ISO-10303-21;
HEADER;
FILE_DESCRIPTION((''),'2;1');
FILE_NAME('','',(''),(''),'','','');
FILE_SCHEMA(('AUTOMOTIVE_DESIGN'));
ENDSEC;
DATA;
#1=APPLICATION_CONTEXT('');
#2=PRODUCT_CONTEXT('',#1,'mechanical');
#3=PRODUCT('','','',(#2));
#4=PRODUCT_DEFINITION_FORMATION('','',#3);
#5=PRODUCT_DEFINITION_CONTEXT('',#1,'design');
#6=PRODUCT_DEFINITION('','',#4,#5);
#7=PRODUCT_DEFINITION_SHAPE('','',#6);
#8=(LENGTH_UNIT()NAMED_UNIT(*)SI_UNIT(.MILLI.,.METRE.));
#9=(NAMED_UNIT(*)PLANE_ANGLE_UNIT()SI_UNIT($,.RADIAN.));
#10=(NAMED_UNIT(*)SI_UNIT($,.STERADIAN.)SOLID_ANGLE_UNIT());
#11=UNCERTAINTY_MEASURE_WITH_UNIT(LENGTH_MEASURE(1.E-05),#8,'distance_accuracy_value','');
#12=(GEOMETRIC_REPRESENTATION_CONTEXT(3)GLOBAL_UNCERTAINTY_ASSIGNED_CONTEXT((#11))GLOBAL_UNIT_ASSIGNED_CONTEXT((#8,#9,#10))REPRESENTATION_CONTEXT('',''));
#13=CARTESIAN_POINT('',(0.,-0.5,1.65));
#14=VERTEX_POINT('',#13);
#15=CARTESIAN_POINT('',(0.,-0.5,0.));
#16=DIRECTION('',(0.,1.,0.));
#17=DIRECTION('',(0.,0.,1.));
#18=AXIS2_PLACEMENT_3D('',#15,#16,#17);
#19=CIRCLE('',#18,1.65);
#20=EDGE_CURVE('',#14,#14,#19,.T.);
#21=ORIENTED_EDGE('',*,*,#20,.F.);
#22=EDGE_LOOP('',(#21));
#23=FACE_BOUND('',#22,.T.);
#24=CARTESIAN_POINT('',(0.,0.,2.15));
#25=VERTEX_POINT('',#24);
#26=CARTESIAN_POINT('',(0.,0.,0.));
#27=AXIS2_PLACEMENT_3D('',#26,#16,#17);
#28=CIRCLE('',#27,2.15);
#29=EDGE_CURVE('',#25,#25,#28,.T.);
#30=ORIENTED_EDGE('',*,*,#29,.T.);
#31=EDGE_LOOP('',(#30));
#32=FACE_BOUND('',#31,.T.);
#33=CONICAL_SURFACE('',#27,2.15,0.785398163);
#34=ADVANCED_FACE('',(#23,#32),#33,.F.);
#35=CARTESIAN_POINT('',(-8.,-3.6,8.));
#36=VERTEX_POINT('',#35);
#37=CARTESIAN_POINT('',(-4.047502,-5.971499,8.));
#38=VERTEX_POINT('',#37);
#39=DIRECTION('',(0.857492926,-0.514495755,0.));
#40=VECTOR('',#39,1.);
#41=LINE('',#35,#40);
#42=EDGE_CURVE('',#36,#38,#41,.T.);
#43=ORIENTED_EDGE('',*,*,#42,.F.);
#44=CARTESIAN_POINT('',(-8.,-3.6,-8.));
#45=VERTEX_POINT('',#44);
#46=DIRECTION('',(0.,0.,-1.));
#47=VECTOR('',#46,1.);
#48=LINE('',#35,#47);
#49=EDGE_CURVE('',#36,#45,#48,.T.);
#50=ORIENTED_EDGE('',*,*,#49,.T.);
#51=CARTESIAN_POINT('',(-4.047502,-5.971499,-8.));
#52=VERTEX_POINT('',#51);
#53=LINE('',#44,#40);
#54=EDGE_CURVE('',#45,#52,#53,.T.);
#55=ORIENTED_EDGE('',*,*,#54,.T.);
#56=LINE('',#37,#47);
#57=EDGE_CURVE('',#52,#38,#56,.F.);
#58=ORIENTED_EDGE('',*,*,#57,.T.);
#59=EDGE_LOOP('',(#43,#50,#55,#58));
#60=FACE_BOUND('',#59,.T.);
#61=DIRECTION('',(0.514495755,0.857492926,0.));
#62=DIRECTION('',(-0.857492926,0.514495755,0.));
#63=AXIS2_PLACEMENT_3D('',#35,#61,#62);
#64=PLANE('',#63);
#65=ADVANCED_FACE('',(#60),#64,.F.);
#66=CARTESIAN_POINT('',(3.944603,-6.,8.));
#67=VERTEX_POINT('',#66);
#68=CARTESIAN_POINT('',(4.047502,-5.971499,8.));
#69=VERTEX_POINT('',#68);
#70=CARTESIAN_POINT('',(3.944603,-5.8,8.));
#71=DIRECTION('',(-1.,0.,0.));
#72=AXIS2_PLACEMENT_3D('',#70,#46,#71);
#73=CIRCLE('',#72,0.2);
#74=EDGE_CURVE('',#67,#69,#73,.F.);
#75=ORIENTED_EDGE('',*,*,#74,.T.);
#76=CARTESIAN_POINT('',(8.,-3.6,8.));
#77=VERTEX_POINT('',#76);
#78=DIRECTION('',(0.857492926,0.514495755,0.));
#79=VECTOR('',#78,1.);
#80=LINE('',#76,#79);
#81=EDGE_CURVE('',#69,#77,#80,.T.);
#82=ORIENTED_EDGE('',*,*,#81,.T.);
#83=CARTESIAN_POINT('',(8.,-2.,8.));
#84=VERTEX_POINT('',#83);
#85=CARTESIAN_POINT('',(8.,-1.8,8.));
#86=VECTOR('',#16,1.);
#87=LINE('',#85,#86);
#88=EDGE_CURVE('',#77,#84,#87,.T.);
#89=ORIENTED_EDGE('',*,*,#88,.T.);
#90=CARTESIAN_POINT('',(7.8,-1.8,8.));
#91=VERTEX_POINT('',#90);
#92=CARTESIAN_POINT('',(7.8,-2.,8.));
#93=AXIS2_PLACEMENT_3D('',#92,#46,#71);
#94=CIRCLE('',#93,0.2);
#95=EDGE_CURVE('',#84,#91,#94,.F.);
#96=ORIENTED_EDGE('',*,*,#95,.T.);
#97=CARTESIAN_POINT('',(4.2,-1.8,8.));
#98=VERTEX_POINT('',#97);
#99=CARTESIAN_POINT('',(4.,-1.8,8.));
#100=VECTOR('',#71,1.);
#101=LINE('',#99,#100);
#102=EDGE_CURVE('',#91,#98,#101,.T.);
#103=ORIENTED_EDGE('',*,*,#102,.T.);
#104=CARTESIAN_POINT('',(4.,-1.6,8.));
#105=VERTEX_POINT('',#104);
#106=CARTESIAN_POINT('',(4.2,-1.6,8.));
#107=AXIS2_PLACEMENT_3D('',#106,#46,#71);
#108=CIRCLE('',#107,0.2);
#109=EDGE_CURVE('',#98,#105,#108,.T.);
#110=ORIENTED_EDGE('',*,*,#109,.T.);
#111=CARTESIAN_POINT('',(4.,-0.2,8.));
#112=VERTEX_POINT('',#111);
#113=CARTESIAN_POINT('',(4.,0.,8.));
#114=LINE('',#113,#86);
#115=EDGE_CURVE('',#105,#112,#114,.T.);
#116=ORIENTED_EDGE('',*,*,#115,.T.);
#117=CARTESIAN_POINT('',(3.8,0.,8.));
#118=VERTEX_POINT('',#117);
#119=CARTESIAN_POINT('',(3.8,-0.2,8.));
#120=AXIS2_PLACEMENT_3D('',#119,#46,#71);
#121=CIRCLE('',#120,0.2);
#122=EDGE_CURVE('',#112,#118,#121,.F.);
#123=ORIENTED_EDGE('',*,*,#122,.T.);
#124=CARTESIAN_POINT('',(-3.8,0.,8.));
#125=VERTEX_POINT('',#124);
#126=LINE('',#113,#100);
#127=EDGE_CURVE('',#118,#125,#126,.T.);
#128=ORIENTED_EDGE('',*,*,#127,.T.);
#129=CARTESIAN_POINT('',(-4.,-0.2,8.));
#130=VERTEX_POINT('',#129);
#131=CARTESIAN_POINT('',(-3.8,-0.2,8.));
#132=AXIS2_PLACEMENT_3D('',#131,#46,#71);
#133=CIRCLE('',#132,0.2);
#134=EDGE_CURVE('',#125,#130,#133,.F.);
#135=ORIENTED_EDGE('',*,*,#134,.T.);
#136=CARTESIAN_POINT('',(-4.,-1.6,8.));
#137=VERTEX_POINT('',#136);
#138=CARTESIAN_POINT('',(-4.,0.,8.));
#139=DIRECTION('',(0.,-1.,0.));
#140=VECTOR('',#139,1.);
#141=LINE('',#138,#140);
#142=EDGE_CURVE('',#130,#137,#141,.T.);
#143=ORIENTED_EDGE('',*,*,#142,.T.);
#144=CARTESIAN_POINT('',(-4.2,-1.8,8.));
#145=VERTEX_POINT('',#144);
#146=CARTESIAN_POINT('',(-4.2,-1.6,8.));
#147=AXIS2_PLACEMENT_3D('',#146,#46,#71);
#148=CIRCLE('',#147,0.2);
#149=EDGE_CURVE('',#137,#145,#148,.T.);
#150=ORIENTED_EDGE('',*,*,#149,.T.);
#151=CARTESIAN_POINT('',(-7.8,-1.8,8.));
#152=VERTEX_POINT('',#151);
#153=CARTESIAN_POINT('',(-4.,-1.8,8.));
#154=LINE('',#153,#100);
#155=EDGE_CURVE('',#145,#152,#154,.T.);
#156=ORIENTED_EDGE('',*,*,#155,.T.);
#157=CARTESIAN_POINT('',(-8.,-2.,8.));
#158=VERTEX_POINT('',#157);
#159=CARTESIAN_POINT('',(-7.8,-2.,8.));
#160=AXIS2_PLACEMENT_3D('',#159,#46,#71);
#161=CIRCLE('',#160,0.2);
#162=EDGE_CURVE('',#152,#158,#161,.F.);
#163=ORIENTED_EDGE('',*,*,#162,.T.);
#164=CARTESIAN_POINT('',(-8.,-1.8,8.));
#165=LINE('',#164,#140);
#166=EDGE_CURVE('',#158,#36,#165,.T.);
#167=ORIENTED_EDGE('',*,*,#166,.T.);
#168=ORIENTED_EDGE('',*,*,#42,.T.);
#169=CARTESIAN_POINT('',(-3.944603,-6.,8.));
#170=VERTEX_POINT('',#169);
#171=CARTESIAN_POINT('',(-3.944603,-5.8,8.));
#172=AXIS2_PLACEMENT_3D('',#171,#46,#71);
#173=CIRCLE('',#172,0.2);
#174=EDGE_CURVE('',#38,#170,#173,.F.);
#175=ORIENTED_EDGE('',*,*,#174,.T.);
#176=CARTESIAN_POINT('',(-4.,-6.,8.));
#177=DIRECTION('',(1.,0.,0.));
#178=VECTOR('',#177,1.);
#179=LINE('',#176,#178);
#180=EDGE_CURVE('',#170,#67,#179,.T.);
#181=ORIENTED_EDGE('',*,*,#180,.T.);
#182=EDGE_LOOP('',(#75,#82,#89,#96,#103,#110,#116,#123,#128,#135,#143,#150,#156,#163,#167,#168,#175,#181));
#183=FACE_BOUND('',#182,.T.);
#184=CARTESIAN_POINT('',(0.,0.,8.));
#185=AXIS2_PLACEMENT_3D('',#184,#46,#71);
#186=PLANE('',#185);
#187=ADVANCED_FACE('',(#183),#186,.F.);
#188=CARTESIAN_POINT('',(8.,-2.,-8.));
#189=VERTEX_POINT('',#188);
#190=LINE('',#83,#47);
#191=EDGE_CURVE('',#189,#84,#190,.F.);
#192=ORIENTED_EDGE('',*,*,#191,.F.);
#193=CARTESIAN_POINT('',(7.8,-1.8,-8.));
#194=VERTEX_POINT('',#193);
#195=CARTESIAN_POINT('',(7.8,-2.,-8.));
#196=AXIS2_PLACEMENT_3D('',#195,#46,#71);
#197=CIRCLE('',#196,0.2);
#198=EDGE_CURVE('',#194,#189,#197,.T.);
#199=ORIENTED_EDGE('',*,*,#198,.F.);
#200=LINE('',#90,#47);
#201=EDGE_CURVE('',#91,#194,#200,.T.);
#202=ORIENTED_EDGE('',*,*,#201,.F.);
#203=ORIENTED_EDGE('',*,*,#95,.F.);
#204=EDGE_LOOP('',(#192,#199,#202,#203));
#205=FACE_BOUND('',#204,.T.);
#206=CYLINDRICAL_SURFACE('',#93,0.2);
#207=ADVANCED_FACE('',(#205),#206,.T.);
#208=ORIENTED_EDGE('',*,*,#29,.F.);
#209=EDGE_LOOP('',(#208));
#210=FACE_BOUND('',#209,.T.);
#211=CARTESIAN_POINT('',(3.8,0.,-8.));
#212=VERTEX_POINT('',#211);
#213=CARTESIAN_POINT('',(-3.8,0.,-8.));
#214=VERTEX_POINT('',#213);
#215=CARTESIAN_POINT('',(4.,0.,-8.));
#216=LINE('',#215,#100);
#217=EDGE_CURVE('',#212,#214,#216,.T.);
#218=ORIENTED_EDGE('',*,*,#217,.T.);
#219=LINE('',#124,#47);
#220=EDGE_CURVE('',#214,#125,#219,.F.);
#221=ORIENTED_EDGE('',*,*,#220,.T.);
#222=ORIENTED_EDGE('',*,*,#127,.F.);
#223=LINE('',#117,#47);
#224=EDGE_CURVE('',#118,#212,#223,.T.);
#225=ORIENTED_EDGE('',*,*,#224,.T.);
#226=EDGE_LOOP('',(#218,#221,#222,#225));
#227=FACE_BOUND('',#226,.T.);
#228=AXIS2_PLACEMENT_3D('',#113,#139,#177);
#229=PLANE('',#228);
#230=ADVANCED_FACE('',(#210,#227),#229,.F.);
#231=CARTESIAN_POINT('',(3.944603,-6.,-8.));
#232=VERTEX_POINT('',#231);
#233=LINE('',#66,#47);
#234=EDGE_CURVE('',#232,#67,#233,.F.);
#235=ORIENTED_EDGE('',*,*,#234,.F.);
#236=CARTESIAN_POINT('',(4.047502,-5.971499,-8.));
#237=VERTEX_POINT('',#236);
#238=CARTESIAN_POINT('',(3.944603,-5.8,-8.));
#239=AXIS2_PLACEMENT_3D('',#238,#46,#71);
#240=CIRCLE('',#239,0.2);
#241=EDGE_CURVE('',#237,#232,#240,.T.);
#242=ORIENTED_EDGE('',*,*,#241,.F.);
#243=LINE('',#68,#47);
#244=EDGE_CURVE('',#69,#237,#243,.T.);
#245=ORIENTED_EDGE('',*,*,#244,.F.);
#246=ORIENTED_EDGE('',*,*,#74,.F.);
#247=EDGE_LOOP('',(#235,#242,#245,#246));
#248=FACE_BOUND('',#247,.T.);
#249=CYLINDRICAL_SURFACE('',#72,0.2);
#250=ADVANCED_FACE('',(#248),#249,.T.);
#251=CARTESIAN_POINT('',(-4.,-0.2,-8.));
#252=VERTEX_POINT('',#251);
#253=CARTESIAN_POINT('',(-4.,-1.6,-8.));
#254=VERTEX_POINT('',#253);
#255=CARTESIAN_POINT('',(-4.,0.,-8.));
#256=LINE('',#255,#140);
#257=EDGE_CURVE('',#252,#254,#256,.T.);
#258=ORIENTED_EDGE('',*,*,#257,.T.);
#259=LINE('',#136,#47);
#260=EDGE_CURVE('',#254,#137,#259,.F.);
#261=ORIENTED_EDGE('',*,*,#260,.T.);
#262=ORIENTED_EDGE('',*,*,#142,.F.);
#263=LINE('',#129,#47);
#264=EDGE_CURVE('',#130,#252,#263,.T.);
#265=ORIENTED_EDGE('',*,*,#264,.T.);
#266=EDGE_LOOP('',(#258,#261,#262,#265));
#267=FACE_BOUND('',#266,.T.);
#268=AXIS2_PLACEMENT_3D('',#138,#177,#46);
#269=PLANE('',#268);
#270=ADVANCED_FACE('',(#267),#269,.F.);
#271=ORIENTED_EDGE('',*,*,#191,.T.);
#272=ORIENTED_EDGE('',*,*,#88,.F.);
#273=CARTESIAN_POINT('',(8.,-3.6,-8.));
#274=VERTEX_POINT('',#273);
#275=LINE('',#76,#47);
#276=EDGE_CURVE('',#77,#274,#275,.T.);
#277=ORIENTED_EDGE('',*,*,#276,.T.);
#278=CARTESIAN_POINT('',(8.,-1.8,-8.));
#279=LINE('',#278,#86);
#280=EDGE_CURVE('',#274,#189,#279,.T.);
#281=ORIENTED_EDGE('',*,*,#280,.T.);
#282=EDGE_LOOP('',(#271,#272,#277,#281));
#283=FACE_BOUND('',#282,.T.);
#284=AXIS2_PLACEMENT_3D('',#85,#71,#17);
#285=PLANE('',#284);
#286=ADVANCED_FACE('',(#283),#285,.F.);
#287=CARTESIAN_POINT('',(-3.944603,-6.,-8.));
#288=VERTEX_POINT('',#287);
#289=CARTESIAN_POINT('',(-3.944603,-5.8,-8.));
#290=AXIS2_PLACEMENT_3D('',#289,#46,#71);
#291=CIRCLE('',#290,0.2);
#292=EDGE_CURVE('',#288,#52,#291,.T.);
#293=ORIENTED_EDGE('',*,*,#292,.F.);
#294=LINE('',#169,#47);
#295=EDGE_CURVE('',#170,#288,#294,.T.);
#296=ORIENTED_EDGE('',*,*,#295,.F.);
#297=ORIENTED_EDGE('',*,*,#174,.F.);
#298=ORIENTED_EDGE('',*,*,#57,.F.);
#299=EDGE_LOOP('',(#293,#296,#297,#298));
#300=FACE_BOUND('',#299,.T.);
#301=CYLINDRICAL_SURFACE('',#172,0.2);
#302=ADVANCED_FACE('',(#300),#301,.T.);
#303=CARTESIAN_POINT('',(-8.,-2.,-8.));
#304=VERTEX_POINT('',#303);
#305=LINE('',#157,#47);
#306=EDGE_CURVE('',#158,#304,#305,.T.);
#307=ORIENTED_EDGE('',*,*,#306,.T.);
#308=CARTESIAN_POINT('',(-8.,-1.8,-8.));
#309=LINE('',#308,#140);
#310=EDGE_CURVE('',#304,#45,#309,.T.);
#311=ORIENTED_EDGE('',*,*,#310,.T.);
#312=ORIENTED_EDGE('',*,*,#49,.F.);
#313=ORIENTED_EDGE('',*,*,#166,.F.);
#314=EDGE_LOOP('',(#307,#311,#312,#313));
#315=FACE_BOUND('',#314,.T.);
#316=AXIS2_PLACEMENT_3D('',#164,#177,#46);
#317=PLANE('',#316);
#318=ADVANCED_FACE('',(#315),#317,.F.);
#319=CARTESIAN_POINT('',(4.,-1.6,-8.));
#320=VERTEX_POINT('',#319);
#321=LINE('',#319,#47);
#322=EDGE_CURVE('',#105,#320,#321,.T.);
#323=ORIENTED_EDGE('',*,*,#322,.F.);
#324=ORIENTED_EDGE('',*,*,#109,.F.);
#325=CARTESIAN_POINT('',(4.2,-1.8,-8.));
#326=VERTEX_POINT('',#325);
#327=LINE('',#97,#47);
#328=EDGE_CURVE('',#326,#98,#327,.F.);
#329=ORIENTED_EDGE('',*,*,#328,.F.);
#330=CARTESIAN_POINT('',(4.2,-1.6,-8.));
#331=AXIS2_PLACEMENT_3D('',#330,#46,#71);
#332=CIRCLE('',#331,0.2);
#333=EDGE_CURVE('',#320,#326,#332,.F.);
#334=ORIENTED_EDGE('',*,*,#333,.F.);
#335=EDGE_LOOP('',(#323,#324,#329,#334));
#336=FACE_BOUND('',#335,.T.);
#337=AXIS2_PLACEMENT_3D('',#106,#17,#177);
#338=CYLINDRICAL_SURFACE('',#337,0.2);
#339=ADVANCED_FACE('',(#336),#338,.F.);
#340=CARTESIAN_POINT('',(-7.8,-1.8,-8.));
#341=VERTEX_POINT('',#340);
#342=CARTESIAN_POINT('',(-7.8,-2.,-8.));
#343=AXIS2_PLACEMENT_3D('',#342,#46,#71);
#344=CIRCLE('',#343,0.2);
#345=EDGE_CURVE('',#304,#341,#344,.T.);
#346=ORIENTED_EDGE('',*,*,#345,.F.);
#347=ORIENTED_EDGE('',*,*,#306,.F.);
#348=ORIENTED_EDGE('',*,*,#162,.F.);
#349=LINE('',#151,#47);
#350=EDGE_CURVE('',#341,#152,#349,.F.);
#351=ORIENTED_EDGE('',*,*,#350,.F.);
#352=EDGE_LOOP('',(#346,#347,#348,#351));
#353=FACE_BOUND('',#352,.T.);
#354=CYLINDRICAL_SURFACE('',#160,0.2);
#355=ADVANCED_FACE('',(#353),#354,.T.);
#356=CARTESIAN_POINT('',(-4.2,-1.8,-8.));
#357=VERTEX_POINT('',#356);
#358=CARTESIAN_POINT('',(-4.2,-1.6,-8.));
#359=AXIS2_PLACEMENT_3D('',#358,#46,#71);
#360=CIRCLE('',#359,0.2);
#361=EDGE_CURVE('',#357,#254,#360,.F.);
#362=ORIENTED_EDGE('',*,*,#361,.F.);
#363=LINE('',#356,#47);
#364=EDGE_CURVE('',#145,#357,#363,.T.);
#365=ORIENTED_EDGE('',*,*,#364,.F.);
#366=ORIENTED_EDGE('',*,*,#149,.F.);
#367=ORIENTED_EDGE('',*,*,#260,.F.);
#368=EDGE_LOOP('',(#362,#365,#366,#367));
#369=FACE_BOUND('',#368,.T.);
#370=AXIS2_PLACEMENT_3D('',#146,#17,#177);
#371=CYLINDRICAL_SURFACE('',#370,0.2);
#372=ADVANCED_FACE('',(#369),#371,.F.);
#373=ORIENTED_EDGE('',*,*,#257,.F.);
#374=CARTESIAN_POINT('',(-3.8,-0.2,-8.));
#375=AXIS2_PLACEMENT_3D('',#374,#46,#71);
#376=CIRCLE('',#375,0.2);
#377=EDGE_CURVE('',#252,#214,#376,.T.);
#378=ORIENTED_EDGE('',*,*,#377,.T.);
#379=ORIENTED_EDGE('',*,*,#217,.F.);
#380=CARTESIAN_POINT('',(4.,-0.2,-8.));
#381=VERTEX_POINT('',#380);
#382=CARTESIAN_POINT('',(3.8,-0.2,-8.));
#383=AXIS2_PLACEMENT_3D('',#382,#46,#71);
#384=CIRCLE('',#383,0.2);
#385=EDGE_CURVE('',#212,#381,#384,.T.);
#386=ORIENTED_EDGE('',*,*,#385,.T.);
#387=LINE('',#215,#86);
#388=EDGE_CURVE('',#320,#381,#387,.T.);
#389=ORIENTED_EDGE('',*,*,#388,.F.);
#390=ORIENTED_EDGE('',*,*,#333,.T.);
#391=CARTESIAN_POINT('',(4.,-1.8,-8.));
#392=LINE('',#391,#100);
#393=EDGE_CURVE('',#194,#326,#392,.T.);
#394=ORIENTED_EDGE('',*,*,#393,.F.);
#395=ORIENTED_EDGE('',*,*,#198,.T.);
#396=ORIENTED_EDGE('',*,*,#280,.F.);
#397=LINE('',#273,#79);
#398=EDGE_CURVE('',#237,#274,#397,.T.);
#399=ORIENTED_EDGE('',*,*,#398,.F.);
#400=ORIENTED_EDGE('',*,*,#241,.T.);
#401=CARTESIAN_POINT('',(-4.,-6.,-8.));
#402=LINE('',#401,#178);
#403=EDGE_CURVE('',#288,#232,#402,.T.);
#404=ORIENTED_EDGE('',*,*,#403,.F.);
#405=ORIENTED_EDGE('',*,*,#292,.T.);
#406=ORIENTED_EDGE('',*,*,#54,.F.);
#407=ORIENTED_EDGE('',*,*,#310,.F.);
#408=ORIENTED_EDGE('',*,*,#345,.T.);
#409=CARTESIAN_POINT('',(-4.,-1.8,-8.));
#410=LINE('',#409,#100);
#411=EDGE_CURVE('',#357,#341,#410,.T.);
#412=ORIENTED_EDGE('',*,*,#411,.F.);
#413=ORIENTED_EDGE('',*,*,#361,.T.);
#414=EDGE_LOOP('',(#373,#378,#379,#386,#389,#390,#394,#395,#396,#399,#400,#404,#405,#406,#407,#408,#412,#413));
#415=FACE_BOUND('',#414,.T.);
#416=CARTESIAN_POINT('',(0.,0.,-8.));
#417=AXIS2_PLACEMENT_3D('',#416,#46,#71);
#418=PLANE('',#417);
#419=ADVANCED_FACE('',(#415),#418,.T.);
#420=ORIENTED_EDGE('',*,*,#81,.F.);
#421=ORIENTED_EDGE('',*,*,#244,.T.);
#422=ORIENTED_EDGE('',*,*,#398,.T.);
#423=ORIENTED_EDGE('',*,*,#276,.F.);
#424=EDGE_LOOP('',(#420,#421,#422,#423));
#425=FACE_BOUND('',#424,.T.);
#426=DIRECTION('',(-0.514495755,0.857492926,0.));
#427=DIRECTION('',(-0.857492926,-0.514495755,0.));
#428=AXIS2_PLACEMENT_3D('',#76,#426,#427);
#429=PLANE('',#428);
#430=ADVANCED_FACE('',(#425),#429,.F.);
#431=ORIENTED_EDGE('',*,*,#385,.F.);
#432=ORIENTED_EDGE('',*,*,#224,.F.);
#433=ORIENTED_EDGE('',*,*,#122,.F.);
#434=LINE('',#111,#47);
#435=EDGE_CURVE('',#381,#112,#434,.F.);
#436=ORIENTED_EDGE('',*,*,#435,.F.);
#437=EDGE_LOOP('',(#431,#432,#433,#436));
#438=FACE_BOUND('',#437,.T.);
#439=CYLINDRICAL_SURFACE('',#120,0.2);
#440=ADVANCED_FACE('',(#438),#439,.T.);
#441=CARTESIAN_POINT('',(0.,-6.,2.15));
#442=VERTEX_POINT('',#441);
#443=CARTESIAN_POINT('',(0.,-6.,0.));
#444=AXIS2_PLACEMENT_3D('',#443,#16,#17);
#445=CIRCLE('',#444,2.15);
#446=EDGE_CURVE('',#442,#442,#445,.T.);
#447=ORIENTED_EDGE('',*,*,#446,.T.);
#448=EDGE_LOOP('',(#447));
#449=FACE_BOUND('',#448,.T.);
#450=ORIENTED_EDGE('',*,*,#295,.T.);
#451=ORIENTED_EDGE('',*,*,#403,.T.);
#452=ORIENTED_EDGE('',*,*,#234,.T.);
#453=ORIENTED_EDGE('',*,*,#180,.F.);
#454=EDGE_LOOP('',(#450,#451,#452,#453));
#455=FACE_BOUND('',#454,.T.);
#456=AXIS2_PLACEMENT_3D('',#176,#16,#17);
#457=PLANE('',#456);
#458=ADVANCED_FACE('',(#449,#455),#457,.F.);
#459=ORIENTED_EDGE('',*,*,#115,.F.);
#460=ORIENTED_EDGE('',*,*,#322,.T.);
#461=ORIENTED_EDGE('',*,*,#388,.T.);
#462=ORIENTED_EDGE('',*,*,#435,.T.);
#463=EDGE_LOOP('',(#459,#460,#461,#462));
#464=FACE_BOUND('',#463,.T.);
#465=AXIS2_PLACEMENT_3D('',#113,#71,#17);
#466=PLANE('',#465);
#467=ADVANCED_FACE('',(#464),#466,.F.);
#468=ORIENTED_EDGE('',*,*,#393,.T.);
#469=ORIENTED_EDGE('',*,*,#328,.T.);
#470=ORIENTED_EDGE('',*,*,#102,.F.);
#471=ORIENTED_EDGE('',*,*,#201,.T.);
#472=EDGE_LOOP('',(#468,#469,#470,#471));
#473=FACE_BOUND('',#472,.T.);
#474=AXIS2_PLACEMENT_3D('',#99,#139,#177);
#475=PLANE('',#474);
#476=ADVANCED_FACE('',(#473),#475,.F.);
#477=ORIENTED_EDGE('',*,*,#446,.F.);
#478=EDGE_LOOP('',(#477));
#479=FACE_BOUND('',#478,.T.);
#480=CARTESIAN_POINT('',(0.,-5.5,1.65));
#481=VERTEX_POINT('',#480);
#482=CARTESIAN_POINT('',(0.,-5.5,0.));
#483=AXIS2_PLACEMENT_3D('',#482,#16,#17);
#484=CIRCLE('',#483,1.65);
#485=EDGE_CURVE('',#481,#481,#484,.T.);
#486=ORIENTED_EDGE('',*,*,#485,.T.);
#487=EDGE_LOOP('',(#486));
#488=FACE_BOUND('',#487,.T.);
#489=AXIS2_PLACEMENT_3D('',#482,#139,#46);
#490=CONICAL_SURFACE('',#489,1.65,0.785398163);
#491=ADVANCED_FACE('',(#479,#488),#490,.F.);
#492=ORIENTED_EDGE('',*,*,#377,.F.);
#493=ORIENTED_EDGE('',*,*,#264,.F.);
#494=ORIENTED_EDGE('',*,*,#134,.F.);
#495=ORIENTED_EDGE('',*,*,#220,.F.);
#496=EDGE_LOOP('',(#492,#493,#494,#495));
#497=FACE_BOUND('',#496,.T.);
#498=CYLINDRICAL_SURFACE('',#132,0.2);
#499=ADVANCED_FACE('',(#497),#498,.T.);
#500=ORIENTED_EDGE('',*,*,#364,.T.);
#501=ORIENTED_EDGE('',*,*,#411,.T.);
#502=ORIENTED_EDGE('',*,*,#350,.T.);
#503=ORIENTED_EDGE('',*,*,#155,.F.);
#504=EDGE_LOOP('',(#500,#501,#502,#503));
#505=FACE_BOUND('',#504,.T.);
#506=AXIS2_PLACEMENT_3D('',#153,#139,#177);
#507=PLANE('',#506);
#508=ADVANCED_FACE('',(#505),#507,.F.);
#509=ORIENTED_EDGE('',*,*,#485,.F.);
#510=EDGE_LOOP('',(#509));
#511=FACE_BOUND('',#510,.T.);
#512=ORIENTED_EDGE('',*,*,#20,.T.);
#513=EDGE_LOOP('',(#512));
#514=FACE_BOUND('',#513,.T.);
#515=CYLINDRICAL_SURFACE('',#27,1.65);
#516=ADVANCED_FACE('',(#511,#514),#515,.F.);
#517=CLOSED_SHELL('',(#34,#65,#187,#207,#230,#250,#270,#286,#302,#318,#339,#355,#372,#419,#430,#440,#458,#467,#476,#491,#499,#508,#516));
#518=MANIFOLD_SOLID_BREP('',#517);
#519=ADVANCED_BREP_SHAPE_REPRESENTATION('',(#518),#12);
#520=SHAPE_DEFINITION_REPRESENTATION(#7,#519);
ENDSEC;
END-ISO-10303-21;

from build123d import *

# Parameters (mm, degrees)
EXTRUDE_1_DEPTH = 8
FILLET_1_R      = 0.2


with BuildPart() as part:
    # Эскиз1 → Бобышка-Вытянуть1 (new body, symmetric)
    with BuildSketch(Plane.XY):
        Polygon((4, 0), (-4, 0), (-4, -1.8), (-8, -1.8), (-8, -3.6), (-4, -6), (4, -6), (8, -3.6), (8, -1.8), (4, -1.8), align=None)
    extrude(amount=EXTRUDE_1_DEPTH, both=True)

    # Эскиз4 → Отверстие обработанное метчиком M42 (revolve, cut)
    with BuildSketch(Plane(origin=(0, 0, 0), x_dir=(0, 0, 1), z_dir=(1, 0, 0))):
        Polygon((0, 0), (0, 6), (2.15, 6), (1.65, 5.5), (1.65, 0.5), (2.15, 0), align=None)
    revolve(axis=Axis((0, 6.35, 0), (0, -1, 0)), mode=Mode.SUBTRACT)

    # Скругление1
    fillet_1_edges = [part.edges().sort_by_distance(p)[0] for p in [
        (-4, 0, 0),
        (4, 0, 0),
        (4, -1.8, 0),
        (8, -1.8, 0),
        (4, -6, 0),
        (-4, -6, 0),
        (-8, -1.8, 0),
        (-4, -1.8, 0),
    ]]
    fillet(fillet_1_edges, radius=FILLET_1_R)


solid = part.part
